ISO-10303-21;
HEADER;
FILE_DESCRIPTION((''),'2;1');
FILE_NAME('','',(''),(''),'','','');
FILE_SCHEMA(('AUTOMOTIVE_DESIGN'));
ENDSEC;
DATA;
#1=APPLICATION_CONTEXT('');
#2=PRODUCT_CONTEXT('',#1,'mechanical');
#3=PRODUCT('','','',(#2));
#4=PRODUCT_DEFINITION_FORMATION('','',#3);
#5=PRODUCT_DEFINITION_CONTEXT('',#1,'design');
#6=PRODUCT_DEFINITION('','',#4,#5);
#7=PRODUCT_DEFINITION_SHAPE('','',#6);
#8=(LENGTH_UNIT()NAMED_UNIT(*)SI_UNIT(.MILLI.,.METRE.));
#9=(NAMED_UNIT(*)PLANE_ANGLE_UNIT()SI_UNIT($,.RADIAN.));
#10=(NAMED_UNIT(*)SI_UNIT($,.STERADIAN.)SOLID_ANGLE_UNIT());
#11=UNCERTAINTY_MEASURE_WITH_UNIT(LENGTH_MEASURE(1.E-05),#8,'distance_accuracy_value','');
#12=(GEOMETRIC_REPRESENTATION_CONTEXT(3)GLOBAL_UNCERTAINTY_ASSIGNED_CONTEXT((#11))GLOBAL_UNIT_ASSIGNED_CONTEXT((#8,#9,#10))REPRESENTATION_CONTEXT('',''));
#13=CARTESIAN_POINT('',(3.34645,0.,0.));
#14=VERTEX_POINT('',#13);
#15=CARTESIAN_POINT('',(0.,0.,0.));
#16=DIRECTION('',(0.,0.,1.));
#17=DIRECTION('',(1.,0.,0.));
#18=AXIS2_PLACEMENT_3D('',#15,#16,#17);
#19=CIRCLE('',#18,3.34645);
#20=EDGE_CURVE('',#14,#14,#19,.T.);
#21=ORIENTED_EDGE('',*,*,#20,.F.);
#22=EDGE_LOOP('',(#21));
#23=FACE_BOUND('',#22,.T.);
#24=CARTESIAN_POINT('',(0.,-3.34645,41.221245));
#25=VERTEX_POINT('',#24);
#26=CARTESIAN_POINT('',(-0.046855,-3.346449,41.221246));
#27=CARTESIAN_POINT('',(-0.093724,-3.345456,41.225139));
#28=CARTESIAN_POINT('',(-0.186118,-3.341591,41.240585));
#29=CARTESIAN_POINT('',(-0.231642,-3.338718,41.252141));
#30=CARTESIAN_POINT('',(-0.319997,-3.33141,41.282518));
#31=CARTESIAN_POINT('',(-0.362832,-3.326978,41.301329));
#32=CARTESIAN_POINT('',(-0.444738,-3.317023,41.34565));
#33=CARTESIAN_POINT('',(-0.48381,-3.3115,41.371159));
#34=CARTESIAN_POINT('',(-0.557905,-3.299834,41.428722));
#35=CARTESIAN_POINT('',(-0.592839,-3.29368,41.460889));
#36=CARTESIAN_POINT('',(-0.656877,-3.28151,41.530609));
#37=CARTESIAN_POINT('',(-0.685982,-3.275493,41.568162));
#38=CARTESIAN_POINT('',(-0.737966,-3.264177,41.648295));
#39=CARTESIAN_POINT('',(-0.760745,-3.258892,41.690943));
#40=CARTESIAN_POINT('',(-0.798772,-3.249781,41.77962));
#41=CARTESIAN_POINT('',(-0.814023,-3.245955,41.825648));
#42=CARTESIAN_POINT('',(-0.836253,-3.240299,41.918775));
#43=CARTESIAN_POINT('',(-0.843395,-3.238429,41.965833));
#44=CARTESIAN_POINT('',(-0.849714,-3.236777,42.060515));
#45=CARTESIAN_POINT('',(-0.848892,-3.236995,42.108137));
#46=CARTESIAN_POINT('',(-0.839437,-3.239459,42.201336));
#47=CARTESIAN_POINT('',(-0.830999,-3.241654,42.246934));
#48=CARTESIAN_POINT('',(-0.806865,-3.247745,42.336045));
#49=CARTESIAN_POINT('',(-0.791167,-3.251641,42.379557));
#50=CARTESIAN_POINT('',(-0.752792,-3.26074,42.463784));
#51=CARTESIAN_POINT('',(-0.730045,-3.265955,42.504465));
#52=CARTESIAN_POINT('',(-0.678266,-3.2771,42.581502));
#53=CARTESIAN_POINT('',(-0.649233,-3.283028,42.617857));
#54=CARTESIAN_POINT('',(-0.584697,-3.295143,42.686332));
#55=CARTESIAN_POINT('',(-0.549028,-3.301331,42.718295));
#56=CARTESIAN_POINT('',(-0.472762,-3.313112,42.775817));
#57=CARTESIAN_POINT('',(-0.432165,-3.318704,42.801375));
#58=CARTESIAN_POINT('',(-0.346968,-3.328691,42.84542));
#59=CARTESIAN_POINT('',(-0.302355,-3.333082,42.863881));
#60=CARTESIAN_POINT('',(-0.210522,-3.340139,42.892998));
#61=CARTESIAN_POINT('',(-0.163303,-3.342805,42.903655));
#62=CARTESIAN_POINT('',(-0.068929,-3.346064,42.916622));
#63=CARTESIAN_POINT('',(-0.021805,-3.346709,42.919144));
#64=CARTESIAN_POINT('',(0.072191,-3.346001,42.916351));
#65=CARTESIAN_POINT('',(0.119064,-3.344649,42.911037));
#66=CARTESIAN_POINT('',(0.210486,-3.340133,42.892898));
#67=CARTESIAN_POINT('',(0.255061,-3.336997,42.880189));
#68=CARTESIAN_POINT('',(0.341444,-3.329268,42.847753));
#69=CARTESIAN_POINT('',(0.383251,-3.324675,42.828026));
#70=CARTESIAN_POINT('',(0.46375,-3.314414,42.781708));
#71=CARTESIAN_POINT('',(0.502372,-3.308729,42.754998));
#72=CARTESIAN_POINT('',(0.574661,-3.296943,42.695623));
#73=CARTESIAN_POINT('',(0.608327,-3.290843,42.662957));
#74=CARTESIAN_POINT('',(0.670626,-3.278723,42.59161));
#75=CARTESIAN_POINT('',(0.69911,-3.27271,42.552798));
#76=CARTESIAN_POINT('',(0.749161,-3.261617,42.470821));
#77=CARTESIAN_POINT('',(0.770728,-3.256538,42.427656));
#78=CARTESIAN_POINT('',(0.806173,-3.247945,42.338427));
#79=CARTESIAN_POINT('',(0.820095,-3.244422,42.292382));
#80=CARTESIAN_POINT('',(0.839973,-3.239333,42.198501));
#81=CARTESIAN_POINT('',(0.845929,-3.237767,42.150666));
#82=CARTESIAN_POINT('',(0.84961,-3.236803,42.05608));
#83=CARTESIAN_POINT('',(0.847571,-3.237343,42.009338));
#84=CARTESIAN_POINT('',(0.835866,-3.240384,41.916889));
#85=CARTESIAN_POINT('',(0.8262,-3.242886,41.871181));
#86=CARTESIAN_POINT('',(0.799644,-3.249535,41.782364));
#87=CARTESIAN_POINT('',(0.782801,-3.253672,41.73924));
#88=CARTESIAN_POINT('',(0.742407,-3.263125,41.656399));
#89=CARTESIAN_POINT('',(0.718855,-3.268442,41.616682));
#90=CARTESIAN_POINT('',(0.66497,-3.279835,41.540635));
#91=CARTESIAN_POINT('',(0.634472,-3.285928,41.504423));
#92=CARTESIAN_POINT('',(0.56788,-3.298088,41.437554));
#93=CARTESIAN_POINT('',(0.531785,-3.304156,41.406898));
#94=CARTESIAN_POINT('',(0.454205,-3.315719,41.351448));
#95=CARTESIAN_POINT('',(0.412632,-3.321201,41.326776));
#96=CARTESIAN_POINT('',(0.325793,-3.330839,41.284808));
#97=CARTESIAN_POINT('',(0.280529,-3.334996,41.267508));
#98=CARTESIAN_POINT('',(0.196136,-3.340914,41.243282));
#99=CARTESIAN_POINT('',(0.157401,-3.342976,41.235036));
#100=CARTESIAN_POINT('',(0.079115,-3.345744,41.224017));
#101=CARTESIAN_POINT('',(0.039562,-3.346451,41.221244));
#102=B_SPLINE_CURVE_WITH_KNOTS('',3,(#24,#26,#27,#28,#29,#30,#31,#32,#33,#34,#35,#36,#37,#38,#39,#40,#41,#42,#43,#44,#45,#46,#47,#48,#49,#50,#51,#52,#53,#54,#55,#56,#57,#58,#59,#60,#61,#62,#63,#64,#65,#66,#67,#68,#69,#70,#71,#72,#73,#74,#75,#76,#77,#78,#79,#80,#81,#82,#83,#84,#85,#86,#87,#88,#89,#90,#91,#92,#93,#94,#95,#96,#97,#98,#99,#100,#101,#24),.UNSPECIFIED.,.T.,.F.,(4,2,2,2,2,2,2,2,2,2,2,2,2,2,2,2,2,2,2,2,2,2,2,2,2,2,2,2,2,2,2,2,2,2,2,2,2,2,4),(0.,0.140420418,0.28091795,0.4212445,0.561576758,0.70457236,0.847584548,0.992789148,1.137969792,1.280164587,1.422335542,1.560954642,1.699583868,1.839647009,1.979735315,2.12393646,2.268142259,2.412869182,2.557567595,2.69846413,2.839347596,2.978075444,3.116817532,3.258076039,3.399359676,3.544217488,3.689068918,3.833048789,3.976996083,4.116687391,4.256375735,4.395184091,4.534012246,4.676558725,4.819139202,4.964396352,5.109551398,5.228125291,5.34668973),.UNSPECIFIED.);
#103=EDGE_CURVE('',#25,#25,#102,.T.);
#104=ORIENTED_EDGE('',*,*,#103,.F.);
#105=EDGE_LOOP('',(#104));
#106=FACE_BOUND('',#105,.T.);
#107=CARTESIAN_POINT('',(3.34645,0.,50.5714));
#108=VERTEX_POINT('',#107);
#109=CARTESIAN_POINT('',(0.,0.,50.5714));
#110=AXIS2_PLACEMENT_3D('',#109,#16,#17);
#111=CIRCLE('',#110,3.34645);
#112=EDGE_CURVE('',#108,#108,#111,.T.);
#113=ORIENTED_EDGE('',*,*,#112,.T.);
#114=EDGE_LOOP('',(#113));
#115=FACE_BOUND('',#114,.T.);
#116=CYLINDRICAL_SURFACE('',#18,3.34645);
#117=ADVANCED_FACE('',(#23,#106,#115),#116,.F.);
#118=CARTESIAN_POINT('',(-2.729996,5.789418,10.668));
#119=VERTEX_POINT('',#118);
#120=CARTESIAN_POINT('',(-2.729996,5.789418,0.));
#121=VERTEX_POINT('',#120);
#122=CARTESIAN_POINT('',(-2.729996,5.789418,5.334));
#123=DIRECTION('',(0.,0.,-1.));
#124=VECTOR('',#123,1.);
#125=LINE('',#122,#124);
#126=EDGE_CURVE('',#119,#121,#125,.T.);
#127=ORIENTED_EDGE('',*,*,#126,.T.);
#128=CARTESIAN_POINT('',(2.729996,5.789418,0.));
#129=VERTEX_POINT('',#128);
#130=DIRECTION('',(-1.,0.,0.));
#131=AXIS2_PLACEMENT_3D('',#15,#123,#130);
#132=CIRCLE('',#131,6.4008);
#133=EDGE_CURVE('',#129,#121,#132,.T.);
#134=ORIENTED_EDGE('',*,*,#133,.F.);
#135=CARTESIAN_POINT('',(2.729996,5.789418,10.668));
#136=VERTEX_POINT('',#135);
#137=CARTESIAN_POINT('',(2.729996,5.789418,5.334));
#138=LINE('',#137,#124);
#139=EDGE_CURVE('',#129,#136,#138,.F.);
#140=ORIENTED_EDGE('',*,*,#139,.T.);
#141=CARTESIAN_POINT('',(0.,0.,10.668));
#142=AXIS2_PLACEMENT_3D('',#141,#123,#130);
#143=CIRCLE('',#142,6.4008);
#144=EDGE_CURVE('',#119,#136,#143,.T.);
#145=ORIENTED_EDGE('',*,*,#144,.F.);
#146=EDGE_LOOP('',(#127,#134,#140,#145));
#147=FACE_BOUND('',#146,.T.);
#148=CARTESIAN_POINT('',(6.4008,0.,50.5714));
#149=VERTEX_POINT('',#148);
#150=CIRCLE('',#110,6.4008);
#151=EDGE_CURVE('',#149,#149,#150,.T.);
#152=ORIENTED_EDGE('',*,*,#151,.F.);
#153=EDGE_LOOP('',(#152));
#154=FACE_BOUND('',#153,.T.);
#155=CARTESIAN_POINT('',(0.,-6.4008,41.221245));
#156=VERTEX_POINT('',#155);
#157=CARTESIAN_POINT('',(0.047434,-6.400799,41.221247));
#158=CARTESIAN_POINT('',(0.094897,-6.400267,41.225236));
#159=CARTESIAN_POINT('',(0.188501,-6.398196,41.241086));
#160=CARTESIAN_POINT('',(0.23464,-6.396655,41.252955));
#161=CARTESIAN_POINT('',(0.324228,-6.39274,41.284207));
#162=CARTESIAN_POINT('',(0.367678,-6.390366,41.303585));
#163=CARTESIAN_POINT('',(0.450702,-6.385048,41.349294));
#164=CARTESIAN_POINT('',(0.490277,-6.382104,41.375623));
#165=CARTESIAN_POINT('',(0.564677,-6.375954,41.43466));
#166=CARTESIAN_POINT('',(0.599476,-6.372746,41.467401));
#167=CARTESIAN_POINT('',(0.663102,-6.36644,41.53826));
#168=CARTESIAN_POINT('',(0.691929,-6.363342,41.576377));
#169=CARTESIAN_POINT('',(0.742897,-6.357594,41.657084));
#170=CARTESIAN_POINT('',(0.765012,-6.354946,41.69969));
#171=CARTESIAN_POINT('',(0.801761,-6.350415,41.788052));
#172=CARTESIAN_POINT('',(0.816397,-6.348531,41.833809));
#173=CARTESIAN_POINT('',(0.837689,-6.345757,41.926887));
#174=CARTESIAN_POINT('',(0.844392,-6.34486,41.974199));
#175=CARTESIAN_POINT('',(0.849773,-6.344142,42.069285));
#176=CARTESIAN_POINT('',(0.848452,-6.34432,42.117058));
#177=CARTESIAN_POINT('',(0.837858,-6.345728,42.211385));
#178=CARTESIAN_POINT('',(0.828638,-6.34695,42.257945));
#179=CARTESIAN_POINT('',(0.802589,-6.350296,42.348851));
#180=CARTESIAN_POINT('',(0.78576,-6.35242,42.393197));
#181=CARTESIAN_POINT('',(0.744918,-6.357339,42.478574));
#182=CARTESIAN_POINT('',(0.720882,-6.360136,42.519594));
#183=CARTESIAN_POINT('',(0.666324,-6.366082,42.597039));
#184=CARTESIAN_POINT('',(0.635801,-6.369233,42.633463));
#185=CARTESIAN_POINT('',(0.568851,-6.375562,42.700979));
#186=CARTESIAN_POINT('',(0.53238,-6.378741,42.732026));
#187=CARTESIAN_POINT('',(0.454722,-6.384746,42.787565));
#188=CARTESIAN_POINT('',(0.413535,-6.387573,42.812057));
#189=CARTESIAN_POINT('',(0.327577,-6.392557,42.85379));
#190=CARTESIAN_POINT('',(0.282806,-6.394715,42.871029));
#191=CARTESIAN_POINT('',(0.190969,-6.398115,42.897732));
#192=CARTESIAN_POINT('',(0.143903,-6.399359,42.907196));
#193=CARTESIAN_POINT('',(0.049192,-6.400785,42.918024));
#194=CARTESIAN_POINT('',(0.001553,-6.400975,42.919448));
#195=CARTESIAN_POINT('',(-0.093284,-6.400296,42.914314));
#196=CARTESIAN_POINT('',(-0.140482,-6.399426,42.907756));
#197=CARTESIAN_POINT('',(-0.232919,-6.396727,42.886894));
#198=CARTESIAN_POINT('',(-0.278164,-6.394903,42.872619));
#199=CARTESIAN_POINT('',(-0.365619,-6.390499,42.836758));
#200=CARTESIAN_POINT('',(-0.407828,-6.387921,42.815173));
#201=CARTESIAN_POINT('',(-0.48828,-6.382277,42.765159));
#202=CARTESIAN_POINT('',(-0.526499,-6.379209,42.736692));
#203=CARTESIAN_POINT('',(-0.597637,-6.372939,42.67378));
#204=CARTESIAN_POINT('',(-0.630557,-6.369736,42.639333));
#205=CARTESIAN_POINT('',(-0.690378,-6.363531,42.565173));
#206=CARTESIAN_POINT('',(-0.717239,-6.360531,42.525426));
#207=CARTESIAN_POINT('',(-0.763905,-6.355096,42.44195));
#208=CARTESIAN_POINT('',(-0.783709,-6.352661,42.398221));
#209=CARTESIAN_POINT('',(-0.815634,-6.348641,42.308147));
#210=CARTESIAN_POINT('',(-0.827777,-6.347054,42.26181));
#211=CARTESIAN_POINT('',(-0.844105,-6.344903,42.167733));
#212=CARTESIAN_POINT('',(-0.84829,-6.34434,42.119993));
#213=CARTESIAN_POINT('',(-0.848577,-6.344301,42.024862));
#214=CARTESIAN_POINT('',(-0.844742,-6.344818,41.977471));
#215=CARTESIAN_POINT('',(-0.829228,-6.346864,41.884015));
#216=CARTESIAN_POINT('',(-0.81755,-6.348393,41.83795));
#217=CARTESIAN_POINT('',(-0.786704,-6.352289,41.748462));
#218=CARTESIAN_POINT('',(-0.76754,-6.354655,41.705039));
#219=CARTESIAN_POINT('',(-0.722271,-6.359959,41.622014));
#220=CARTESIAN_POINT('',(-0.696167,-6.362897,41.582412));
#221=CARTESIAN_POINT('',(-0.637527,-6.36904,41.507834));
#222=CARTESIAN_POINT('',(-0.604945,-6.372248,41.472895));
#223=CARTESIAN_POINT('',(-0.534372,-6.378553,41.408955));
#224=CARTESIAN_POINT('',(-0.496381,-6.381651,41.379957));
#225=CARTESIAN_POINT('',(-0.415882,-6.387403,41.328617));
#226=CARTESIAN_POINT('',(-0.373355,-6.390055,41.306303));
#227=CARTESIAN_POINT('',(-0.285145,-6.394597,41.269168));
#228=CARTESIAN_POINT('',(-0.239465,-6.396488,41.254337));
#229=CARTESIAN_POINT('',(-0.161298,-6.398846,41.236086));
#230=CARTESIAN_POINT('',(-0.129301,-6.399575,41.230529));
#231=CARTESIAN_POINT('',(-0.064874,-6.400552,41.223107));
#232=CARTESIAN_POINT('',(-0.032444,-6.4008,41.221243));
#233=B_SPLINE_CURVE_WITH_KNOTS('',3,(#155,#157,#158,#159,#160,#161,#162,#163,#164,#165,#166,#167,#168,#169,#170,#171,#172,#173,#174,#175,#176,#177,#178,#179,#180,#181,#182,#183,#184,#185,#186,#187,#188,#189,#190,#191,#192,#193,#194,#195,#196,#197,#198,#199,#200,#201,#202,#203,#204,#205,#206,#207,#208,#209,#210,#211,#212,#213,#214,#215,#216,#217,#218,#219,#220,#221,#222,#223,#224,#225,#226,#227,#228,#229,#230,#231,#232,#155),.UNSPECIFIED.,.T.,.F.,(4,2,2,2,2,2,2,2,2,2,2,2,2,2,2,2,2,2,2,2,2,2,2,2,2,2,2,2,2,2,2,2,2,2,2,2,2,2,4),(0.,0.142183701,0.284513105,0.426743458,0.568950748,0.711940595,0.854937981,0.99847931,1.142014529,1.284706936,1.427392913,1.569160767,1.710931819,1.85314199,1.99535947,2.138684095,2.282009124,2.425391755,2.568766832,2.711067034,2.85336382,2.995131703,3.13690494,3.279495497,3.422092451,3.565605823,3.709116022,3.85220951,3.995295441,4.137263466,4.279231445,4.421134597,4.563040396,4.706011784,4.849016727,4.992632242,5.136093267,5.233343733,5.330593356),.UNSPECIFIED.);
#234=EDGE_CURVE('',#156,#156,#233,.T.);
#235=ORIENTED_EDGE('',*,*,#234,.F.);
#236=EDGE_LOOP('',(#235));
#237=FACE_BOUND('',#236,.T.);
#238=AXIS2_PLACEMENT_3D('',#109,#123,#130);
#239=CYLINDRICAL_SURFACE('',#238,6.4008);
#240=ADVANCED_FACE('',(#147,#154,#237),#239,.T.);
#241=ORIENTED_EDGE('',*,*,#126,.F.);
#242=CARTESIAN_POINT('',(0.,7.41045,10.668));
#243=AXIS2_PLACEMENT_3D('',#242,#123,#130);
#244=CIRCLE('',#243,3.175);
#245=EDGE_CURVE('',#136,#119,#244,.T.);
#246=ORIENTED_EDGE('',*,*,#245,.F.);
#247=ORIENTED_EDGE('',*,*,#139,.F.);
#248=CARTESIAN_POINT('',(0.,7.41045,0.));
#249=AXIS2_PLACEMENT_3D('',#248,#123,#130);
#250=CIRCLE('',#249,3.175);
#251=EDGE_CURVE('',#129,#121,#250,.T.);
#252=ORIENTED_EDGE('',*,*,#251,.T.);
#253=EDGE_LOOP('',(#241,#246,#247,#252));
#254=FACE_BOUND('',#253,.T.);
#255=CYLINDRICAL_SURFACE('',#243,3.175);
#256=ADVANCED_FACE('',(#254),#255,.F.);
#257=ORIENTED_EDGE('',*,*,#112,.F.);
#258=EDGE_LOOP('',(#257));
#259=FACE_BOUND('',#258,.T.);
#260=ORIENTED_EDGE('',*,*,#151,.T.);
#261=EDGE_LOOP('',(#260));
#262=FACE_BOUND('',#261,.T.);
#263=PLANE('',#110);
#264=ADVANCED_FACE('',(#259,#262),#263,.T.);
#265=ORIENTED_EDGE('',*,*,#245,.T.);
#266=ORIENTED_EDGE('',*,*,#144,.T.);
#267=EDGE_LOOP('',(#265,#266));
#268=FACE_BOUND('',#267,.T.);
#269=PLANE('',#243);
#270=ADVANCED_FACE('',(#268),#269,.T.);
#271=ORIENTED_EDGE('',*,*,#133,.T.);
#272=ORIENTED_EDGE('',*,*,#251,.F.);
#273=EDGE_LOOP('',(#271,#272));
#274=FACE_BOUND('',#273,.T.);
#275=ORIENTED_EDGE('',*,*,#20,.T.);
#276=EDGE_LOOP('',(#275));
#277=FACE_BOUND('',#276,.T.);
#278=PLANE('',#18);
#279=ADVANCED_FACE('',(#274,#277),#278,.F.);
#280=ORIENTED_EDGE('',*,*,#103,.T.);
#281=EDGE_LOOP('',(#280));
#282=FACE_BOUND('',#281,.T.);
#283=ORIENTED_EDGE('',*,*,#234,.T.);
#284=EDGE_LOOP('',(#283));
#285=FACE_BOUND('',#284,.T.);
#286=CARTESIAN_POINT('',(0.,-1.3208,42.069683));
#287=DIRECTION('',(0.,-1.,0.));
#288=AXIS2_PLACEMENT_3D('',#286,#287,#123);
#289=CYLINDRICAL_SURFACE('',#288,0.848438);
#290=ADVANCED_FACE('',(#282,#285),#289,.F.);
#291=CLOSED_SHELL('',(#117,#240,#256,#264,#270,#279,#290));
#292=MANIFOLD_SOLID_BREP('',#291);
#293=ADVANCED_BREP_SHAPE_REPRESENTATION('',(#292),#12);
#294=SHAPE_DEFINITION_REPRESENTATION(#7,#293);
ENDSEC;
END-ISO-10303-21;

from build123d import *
from build123d.topology import SkipClean

# Parameters (mm, degrees)
SKETCH1_R           = 12.5349
BOSS_EXTRUDE1_DEPTH = 6.4389
BOSS_EXTRUDE2_DEPTH = 4.0386
SKETCH3_R           = 6.4008
BOSS_EXTRUDE3_DEPTH = 44.1325
SKETCH4_R           = 3.175
CUT_EXTRUDE1_DEPTH  = 10.668
CUT_EXTRUDE2_DEPTH  = 51.5714
SKETCH6_R           = 3.34645
CUT_EXTRUDE3_DEPTH  = 51.5714
SKETCH7_R           = 12.5349
SKETCH7_R_2         = 6.4008
CUT_EXTRUDE4_DEPTH  = 51.5714
SKETCH11_R          = 0.848438372
CUT_EXTRUDE5_DEPTH  = 5.08


with BuildPart() as part:
    # Sketch1 → Boss-Extrude1 (new body)
    with BuildSketch(Plane.XY):
        Circle(SKETCH1_R)
    extrude(amount=BOSS_EXTRUDE1_DEPTH)

    # Sketch2 → Boss-Extrude2 (add)
    with BuildSketch(Plane.XY.offset(6.4389)):
        with BuildLine():
            Line((-9.8298, 7.778094238), (9.8298, 7.778094238))
            ThreePointArc((9.8298, 7.778094238), (0, 12.5349), (-9.8298, 7.778094238))
        make_face()
    extrude(amount=BOSS_EXTRUDE2_DEPTH)

    # Sketch3 → Boss-Extrude3 (add)
    with BuildSketch(Plane.XY.offset(6.4389)):
        Circle(SKETCH3_R)
    extrude(amount=BOSS_EXTRUDE3_DEPTH)

    # Sketch4 → Cut-Extrude1 (cut)
    with BuildSketch(Plane(origin=(0, 0, 0), x_dir=(-1, 0, 0), z_dir=(0, 0, -1))):
        with Locations((0, 7.41045)):
            Circle(SKETCH4_R)
    extrude(amount=-CUT_EXTRUDE1_DEPTH, mode=Mode.SUBTRACT)

    # Sketch5 → Cut-Extrude2 (cut, through all)
    with BuildSketch(Plane(origin=(0, 0, 0), x_dir=(-1, 0, 0), z_dir=(0, 0, -1))):
        with BuildLine():
            Line((2.667, -12.247890798), (-2.667, -12.247890798))
            ThreePointArc((-2.667, -12.247890798), (0, -12.5349), (2.667, -12.247890798))
        make_face()
    extrude(amount=-CUT_EXTRUDE2_DEPTH, mode=Mode.SUBTRACT)

    # Sketch6 → Cut-Extrude3 (cut, through all)
    with BuildSketch(Plane.XY.offset(50.5714)):
        Circle(SKETCH6_R)
    extrude(amount=-CUT_EXTRUDE3_DEPTH, mode=Mode.SUBTRACT)

    # Sketch7 → Cut-Extrude4 (cut, through all)
    with SkipClean():  # keep this step's faces unmerged: merging them makes the solid invalid here
        with BuildSketch(Plane(origin=(0, 0, 0), x_dir=(-1, 0, 0), z_dir=(0, 0, -1))):
            Circle(SKETCH7_R)
            with Locations(Location((0, 0, 0), (0, 0, 64.753808508))):  # turned: the seam where the file's is
                Circle(SKETCH7_R_2, mode=Mode.SUBTRACT)
        extrude(amount=-CUT_EXTRUDE4_DEPTH, mode=Mode.SUBTRACT)

    # Sketch11 → Cut-Extrude5 (cut)
    with SkipClean():  # keep this step's faces unmerged: merging them makes the solid invalid here
        with BuildSketch(Plane(origin=(0, -6.4008, 0), x_dir=(-1, 0, 0), z_dir=(0, 1, 0))):
            with Locations(Location((0, 42.069683216, 0), (0, 0, 270))):  # turned: the seam where the file's is
                Circle(SKETCH11_R)
        extrude(amount=CUT_EXTRUDE5_DEPTH, mode=Mode.SUBTRACT)


solid = part.part
